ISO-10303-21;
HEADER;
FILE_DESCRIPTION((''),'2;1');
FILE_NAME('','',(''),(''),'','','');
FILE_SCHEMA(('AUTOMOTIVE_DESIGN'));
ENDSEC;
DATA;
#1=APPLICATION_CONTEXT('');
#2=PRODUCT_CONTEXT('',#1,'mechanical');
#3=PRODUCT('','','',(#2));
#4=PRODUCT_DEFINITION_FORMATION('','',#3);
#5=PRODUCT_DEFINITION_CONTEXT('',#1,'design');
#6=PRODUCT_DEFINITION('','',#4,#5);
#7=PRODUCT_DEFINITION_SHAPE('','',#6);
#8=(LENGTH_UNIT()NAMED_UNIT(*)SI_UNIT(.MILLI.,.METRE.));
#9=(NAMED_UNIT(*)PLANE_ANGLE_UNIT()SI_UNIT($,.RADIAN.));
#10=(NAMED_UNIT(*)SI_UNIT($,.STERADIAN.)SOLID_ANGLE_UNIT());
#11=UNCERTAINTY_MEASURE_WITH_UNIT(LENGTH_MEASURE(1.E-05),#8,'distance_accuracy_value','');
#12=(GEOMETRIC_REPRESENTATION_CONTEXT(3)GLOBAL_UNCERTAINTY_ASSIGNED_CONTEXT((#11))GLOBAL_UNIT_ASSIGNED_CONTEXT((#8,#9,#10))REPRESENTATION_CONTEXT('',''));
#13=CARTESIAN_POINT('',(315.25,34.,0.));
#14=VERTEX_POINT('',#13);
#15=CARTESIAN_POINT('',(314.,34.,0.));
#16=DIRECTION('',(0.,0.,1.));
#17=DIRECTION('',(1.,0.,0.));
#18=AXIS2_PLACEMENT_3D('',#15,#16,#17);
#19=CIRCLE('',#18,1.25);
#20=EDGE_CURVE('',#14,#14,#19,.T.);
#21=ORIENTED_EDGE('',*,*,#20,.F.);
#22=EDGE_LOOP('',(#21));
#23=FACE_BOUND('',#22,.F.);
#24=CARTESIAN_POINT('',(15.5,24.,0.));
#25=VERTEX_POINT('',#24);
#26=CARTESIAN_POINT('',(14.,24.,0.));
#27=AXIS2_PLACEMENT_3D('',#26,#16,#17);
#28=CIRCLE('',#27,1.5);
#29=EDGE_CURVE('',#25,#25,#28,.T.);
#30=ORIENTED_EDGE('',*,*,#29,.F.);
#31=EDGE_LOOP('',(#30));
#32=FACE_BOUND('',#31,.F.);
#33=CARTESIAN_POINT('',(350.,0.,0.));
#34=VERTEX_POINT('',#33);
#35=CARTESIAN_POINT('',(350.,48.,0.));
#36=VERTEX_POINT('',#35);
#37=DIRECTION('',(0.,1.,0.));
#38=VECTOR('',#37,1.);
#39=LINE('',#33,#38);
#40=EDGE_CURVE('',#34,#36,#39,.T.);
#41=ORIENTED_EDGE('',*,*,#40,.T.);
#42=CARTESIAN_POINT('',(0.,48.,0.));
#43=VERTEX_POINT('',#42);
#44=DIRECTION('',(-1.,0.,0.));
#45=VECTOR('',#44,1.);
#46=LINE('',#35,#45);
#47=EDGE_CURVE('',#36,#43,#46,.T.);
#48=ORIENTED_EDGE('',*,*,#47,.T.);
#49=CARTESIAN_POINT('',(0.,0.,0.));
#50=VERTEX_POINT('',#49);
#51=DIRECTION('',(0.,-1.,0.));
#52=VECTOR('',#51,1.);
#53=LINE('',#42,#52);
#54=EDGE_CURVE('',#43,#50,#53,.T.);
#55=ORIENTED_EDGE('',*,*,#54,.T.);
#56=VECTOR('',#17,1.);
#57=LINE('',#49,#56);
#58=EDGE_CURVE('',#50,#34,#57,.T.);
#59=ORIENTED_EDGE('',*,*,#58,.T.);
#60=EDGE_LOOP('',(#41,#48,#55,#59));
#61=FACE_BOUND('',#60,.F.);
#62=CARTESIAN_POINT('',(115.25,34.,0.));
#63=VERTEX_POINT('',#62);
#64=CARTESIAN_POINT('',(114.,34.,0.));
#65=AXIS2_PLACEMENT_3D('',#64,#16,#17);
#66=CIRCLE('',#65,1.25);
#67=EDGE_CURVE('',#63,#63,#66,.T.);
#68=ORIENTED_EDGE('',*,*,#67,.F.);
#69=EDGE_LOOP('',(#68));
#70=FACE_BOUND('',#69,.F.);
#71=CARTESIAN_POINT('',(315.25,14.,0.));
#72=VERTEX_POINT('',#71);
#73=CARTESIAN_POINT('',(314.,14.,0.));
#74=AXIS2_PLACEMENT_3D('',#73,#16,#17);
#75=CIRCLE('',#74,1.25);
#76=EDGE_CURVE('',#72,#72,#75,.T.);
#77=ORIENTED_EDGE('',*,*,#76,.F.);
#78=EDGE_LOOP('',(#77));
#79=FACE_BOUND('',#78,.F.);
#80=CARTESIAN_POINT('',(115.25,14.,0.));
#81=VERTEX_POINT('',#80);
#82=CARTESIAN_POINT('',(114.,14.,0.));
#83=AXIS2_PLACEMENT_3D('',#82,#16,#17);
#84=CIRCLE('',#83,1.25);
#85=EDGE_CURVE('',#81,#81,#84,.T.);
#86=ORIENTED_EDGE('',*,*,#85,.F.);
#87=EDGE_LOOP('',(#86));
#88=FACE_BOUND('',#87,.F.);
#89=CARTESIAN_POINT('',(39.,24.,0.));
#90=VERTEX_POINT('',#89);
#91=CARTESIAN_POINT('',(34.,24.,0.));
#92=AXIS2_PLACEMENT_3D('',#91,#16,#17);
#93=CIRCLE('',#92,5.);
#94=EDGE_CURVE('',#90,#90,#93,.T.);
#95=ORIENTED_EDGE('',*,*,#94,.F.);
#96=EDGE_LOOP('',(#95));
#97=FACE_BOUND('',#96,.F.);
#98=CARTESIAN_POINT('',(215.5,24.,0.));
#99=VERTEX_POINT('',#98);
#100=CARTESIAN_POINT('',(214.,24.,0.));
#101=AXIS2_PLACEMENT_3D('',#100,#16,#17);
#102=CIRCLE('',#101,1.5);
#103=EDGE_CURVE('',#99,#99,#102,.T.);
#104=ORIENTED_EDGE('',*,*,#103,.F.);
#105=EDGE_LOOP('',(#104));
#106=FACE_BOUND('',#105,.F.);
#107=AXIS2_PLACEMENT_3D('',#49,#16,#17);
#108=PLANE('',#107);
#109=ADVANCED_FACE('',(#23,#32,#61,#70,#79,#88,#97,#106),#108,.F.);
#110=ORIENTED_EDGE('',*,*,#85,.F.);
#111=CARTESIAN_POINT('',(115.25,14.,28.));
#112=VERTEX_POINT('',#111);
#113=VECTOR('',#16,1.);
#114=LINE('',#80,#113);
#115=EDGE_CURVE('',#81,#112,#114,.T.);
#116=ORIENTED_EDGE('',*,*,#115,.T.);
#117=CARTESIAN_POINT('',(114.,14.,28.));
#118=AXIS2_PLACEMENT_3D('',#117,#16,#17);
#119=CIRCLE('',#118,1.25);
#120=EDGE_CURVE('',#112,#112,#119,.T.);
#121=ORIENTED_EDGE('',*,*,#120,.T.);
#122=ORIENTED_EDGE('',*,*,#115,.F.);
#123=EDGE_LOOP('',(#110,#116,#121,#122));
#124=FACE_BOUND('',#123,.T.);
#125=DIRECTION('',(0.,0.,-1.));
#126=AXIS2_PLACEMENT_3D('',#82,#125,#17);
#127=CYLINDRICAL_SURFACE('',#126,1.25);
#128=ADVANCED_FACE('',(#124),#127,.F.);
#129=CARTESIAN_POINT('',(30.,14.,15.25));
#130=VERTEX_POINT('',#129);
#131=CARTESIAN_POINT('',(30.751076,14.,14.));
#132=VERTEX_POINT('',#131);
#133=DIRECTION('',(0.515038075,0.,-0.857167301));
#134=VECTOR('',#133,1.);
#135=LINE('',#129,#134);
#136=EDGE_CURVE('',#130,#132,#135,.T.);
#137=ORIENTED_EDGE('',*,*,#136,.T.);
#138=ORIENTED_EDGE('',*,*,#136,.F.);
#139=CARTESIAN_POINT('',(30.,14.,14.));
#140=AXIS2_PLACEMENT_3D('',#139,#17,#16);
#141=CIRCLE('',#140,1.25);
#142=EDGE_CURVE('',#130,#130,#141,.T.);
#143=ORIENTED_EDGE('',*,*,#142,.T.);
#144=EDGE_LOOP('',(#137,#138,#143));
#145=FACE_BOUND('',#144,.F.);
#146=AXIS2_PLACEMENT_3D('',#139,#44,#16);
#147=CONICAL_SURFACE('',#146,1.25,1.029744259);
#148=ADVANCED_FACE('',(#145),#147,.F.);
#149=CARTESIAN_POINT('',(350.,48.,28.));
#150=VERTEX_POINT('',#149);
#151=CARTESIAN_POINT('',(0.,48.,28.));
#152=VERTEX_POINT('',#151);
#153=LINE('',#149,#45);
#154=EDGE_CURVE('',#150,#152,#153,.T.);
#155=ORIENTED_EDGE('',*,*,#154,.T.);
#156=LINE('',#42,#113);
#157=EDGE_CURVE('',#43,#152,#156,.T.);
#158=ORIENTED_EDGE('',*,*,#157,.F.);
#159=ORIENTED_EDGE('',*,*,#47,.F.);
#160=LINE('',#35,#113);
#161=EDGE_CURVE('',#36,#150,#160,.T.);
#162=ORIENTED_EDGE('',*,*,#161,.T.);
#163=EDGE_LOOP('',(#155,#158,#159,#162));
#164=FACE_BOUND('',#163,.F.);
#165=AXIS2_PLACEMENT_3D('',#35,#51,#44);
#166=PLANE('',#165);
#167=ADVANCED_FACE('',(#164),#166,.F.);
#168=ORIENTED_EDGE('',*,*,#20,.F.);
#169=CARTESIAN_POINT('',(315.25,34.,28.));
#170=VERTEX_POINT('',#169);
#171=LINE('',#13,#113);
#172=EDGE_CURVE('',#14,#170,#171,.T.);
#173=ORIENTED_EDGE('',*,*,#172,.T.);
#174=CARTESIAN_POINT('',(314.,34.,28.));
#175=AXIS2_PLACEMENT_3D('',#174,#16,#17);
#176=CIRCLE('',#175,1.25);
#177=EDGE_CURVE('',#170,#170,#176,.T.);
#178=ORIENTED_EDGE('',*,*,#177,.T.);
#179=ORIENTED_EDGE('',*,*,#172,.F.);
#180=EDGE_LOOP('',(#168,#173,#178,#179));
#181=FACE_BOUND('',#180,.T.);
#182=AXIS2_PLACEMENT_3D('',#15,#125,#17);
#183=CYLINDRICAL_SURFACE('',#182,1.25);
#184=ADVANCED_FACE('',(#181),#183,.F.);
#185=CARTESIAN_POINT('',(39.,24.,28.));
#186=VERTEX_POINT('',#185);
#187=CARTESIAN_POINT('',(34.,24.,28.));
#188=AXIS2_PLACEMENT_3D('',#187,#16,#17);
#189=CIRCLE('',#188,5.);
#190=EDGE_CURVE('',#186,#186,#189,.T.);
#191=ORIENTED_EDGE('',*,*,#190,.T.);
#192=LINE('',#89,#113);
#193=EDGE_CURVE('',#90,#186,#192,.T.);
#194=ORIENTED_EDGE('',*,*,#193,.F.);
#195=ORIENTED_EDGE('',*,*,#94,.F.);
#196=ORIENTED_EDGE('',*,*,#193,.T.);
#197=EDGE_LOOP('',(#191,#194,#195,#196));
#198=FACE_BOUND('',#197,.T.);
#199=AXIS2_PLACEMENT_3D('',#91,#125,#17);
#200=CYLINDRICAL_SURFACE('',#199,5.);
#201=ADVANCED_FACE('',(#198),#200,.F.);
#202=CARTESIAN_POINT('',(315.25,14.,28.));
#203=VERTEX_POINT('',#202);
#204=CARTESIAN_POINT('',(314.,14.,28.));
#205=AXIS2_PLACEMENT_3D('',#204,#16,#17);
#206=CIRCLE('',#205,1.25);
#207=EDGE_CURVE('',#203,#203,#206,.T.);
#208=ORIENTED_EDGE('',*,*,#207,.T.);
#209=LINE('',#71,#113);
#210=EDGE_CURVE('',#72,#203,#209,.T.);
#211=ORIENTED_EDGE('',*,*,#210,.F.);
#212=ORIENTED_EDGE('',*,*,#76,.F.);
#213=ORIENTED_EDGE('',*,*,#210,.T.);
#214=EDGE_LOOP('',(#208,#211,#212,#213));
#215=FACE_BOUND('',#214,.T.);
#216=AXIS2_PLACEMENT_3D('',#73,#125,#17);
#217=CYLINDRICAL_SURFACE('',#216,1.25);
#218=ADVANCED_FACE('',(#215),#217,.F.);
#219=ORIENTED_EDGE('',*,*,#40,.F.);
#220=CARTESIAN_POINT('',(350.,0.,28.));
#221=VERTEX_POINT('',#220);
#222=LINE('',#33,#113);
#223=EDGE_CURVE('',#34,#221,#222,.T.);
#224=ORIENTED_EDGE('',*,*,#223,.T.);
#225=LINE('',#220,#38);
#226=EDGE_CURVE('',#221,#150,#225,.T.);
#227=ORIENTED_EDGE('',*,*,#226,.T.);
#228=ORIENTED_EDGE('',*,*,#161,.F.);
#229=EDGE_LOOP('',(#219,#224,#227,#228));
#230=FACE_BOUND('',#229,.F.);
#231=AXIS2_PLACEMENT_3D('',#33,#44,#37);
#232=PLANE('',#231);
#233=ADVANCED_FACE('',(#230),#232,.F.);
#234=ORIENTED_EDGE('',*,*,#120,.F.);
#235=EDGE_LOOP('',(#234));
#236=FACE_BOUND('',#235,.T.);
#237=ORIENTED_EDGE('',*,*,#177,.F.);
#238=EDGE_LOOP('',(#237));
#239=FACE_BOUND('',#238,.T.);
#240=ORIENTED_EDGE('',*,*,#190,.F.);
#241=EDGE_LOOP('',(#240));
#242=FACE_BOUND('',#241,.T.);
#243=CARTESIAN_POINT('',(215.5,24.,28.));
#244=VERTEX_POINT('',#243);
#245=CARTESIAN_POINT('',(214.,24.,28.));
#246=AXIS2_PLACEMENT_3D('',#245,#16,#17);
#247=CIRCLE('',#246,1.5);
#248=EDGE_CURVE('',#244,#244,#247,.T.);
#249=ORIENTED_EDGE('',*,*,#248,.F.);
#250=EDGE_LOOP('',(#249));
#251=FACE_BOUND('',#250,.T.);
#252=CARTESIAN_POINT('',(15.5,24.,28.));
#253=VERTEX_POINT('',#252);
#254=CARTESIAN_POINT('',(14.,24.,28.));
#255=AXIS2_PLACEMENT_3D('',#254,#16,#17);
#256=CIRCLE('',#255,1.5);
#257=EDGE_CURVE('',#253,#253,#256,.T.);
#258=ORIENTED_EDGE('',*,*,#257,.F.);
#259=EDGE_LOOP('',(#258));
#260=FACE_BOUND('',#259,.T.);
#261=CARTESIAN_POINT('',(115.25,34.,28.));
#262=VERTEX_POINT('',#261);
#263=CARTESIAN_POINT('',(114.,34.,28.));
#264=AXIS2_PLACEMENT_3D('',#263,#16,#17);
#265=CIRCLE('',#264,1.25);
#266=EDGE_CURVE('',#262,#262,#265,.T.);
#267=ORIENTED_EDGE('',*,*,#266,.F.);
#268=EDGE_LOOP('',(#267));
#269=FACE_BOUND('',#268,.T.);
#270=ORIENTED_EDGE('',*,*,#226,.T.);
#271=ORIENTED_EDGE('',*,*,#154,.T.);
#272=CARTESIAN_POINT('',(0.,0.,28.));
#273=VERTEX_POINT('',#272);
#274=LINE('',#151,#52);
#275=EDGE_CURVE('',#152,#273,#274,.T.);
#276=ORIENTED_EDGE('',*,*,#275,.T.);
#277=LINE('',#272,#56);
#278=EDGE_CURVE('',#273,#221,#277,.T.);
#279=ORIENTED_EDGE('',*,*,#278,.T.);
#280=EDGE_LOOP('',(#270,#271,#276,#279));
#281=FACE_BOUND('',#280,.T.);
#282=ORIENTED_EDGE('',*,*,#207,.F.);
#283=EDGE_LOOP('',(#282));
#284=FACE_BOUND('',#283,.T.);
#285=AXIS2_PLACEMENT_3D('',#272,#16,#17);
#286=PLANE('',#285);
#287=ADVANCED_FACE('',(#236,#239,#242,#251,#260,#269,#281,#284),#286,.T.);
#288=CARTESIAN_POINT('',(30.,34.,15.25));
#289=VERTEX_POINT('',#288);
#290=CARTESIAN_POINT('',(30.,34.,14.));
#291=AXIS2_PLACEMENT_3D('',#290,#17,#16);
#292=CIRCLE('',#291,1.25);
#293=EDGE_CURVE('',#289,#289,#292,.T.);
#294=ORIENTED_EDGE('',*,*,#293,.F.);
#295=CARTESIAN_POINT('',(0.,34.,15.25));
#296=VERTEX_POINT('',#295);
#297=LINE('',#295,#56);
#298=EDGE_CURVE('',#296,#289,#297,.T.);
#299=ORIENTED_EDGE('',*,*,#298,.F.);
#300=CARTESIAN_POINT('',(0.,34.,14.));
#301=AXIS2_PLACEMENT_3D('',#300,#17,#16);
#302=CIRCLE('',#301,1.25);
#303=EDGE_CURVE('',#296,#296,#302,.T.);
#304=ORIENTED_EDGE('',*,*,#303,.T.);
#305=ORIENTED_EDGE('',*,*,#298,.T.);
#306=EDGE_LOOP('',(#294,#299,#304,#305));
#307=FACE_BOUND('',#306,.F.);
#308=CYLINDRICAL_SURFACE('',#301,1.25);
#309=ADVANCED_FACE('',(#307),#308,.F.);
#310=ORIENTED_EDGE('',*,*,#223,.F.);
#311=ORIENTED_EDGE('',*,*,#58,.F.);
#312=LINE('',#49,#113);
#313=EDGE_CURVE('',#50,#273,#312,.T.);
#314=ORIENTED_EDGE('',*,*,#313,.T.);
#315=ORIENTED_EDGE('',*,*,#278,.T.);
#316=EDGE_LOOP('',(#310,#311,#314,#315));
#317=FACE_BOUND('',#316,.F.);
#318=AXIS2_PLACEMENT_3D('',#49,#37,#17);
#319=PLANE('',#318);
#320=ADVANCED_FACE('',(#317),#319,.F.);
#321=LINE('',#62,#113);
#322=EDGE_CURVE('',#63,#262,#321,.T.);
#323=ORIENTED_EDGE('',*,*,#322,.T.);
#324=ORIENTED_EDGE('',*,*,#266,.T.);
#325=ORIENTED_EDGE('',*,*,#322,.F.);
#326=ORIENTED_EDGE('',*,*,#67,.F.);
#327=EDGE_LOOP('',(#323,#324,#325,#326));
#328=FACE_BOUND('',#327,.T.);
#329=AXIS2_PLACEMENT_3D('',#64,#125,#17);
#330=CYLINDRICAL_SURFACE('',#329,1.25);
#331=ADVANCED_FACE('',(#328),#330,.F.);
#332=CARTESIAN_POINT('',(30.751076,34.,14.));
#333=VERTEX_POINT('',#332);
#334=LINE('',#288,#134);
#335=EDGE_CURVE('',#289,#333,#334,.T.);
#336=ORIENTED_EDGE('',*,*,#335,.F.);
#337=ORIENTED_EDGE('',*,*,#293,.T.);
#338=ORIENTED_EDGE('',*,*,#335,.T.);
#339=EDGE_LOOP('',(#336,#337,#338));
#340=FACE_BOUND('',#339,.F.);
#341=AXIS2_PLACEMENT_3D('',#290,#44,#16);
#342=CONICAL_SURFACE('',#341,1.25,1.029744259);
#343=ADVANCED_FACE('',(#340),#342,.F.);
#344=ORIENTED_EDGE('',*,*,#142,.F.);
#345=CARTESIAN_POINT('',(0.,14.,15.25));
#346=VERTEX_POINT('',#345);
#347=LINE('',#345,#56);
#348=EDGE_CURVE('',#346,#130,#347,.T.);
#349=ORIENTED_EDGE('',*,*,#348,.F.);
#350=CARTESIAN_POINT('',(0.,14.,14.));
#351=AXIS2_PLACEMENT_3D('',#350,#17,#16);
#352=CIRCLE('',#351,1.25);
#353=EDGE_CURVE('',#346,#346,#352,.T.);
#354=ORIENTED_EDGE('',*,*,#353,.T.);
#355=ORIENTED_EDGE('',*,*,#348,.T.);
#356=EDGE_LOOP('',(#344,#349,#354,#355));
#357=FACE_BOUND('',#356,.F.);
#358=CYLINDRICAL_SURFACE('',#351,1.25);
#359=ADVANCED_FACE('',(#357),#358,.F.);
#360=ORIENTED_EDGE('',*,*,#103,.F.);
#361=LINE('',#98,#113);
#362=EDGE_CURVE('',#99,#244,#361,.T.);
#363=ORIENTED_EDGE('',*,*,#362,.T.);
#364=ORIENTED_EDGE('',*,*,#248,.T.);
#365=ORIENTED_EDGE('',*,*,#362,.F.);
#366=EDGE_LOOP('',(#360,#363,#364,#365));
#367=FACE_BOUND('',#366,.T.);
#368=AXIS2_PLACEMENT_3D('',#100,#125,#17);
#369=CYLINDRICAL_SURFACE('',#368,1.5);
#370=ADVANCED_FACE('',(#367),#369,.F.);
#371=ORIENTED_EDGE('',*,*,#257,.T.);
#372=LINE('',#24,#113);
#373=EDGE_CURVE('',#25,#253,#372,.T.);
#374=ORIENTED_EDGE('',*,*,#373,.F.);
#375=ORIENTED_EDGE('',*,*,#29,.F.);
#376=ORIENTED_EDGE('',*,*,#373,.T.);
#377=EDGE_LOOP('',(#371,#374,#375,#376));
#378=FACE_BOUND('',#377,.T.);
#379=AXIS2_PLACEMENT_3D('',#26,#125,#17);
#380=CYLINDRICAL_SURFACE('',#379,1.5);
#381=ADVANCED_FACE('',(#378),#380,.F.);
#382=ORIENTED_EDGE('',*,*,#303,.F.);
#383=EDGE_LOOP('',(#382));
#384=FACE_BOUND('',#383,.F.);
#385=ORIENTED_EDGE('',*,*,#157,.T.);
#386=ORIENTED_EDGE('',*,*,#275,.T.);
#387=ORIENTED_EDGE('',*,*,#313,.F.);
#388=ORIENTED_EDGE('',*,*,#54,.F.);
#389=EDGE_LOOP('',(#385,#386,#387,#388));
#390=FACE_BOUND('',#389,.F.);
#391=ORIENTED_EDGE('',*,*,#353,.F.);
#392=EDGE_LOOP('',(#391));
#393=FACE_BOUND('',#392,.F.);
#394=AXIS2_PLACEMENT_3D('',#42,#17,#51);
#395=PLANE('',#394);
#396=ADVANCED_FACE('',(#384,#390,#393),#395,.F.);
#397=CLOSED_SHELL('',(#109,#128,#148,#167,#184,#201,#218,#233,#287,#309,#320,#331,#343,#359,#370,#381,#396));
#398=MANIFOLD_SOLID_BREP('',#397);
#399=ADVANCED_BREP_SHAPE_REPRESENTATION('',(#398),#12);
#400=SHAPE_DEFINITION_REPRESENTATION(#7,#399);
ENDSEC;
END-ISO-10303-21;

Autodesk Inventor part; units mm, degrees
ref_plane "YZ Plane" through (0, 0, 0) normal (1, 0, 0) x (0, 1, 0)
ref_plane "XZ Plane" through (0, 0, 0) normal (0, 1, 0) x (-1, 0, 0)
ref_plane "XY Plane" through (0, 0, 0) normal (0, 0, 1) x (1, 0, 0)
sketch "Skizze1" plane through (0, 0, 0) normal (0, 0, 1) x (1, 0, 0)
  line L0 (0, 0) -> (350, 0)
  line L1 (350, 48) -> (0, 48)
  line L2 (34, 48) -> (34, 0) construction
  circle A0 centre (34, 24) radius 5
  line L3 (0, 24) -> (350, 24) construction
  circle A1 centre (14, 24) radius 1.5
  circle A2 centre (114, 34) radius 1.25
  circle A3 centre (114, 14) radius 1.25
  circle A4 centre (214, 24) radius 1.5
  circle A5 centre (314, 34) radius 1.25
  circle A6 centre (314, 14) radius 1.25
  line L4 (114, 34) -> (314, 34) construction
  line L5 (314, 34) -> (314, 14) construction
  line L6 (314, 14) -> (114, 14) construction
  line L7 (114, 14) -> (114, 34) construction
  line L8 (0, 48) -> (0, 0)
  line L9 (350, 0) -> (350, 48)
  dimension "d0" = 350
  dimension "d16" = 34
  dimension "d17" = 10
  dimension "d151" = 350
  dimension "d152" = 3
  dimension "d153" = 2.5
  dimension "d154" = 2.5
  dimension "d155" = 3
  dimension "d156" = 2.5
  dimension "d157" = 2.5
  dimension "d159" = 100
  dimension "d160" = 100
  dimension "d161" = 100
  dimension "d162" = 10
  dimension "d163" = 10
  dimension "d206" = 14
  dimension "d207" = 48
extrude "Extrusion1" add sketch "Skizze1" along normal blind 28
sketch "Skizze6" plane through (0, 48, 0) normal (-1, 0, 0) x (0, 0, 1)
  line L0 (0, -48) -> (28, -48) construction
  line L1 (28, -48) -> (28, 0) construction
  line L2 (28, 0) -> (0, 0) construction
  line L3 (0, 0) -> (0, -48) construction
  line L4 (14, 0) -> (14, -48) construction
  line L5 (0, -29) -> (0, -19) construction
  line L6 (0, -24) -> (28, -24) construction
  point P0 (14, -14)
  point P1 (14, -34)
  dimension "d215" = 10
  dimension "d216" = 10
hole "Bohrung18" at (0, 34, 14) at (0, 14, 14) direction (1, 0, 0) diameter 2.5 depth 30 tip angle 118
properties part number "licht_200_support" material "Spanplatte"
